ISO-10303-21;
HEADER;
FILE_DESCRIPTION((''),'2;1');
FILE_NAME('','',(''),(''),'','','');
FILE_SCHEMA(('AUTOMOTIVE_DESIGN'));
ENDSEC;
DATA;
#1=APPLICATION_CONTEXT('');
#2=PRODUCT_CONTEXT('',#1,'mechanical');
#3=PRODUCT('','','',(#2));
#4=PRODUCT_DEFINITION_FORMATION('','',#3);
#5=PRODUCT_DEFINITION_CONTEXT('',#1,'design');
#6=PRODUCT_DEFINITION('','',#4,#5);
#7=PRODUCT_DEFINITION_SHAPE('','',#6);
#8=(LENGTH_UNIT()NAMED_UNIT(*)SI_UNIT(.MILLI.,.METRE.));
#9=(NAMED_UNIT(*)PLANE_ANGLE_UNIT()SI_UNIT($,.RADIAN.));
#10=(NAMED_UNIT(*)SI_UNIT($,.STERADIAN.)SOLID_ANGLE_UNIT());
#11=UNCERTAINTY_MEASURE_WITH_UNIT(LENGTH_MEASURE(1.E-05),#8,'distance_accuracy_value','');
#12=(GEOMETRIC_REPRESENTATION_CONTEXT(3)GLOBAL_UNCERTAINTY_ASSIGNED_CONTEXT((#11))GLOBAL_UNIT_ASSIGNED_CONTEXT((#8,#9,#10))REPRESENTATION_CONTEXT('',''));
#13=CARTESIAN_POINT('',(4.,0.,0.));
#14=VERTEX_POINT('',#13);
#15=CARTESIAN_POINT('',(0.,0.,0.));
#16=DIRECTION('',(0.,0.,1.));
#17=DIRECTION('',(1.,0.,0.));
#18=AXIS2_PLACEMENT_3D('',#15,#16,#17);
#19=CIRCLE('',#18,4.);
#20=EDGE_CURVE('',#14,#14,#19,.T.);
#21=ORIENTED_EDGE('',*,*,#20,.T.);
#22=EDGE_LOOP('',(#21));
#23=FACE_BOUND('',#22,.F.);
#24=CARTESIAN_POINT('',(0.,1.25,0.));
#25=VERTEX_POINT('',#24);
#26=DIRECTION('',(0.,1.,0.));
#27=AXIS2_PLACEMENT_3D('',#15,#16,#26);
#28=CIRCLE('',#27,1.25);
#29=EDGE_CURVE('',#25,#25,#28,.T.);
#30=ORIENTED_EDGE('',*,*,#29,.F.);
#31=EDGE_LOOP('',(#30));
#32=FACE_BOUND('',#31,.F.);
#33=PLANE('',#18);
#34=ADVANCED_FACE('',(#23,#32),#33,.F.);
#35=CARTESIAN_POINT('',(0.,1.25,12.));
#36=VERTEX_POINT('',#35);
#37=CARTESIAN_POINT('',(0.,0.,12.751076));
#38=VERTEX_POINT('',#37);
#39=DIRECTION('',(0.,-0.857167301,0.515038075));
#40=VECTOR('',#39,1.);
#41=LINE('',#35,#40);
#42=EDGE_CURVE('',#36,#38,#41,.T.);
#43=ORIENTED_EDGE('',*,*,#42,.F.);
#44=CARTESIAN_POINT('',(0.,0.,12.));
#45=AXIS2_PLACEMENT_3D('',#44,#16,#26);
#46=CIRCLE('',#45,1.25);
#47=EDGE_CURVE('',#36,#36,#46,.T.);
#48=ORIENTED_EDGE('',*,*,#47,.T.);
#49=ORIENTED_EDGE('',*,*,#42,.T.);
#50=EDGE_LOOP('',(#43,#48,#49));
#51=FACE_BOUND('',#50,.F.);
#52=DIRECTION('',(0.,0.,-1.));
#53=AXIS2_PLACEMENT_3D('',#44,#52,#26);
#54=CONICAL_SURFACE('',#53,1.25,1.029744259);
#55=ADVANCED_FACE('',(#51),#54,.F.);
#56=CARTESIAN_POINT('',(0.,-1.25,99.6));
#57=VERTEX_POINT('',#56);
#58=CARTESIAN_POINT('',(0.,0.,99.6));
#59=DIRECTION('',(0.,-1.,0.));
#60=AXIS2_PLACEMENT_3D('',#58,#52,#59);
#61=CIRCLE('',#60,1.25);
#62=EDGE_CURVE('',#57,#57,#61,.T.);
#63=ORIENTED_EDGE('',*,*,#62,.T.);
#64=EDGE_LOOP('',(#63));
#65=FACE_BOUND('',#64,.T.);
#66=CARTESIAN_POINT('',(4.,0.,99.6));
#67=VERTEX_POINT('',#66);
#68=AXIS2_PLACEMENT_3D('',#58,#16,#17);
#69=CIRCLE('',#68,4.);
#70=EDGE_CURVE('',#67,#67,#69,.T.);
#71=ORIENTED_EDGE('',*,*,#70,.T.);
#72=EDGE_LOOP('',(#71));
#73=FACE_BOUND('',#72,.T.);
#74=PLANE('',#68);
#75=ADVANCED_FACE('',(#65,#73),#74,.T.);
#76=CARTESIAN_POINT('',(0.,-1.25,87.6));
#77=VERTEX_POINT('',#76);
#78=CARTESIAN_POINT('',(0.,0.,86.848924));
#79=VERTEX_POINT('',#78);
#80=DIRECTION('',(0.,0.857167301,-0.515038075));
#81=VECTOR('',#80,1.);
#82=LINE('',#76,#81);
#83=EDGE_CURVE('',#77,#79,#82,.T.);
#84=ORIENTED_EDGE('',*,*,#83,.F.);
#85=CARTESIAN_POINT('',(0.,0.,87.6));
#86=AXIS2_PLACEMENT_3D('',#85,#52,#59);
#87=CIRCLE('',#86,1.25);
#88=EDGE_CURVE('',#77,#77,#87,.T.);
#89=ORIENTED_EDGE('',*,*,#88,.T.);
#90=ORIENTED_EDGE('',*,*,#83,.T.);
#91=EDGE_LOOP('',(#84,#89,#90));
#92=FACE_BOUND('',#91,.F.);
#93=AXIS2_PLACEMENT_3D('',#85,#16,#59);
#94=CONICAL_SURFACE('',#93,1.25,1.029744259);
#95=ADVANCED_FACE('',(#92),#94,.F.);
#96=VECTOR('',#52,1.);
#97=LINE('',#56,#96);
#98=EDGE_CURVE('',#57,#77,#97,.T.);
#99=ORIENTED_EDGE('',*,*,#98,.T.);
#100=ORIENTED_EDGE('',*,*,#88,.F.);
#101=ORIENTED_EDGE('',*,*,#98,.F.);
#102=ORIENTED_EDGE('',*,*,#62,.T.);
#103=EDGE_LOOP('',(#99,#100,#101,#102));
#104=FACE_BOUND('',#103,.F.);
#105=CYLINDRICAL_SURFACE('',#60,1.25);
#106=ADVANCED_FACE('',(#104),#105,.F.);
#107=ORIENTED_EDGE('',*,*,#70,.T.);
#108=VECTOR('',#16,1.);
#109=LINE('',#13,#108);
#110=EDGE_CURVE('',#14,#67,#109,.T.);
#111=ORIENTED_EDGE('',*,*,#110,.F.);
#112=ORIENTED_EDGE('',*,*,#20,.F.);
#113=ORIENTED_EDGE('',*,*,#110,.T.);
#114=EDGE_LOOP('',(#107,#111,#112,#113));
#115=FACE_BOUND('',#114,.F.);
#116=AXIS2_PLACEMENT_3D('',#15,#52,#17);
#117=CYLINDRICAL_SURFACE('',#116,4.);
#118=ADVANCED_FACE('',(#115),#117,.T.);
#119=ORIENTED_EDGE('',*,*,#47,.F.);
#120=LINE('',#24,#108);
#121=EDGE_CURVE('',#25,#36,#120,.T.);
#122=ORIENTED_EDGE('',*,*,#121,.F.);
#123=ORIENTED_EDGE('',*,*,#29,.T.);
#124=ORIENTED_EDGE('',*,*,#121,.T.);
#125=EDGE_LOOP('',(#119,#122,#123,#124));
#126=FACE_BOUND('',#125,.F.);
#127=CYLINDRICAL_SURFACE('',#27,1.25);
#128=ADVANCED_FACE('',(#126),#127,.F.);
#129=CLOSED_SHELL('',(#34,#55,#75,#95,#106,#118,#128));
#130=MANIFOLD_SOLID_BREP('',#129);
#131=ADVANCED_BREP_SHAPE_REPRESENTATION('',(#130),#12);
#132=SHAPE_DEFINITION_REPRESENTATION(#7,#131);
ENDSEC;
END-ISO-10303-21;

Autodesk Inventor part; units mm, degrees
ref_plane "YZ Plane" through (0, 0, 0) normal (1, 0, 0) x (0, 1, 0)
ref_plane "XZ Plane" through (0, 0, 0) normal (0, 1, 0) x (-1, 0, 0)
ref_plane "XY Plane" through (0, 0, 0) normal (0, 0, 1) x (1, 0, 0)
sketch "スケッチ1" plane through (0, 0, 0) normal (0, 0, 1) x (1, 0, 0)
  circle A0 centre (0, 0) radius 4
  dimension "d0" = 8
extrude "押し出し1" add sketch "スケッチ1" along normal blind 99.6
sketch "スケッチ2" plane through (0, 0, 99.6) normal (0, 0, 1) x (1, 0, 0)
  circle A0 centre (0, 0) radius 4 projected
hole "穴1" at (0, 0, 99.6) direction (0, 0, -1) diameter 2.5 depth 12 tip angle 118
sketch "スケッチ3" plane through (0, 0, 0) normal (0, 0, -1) x (-1, 0, 0)
  circle A0 centre (0, 0) radius 4 projected
hole "穴2" at (0, 0, 0) direction (0, 0, 1) diameter 2.5 depth 12 tip angle 118
properties part number "シャフト" material "ポリカーボネート、クリア"
